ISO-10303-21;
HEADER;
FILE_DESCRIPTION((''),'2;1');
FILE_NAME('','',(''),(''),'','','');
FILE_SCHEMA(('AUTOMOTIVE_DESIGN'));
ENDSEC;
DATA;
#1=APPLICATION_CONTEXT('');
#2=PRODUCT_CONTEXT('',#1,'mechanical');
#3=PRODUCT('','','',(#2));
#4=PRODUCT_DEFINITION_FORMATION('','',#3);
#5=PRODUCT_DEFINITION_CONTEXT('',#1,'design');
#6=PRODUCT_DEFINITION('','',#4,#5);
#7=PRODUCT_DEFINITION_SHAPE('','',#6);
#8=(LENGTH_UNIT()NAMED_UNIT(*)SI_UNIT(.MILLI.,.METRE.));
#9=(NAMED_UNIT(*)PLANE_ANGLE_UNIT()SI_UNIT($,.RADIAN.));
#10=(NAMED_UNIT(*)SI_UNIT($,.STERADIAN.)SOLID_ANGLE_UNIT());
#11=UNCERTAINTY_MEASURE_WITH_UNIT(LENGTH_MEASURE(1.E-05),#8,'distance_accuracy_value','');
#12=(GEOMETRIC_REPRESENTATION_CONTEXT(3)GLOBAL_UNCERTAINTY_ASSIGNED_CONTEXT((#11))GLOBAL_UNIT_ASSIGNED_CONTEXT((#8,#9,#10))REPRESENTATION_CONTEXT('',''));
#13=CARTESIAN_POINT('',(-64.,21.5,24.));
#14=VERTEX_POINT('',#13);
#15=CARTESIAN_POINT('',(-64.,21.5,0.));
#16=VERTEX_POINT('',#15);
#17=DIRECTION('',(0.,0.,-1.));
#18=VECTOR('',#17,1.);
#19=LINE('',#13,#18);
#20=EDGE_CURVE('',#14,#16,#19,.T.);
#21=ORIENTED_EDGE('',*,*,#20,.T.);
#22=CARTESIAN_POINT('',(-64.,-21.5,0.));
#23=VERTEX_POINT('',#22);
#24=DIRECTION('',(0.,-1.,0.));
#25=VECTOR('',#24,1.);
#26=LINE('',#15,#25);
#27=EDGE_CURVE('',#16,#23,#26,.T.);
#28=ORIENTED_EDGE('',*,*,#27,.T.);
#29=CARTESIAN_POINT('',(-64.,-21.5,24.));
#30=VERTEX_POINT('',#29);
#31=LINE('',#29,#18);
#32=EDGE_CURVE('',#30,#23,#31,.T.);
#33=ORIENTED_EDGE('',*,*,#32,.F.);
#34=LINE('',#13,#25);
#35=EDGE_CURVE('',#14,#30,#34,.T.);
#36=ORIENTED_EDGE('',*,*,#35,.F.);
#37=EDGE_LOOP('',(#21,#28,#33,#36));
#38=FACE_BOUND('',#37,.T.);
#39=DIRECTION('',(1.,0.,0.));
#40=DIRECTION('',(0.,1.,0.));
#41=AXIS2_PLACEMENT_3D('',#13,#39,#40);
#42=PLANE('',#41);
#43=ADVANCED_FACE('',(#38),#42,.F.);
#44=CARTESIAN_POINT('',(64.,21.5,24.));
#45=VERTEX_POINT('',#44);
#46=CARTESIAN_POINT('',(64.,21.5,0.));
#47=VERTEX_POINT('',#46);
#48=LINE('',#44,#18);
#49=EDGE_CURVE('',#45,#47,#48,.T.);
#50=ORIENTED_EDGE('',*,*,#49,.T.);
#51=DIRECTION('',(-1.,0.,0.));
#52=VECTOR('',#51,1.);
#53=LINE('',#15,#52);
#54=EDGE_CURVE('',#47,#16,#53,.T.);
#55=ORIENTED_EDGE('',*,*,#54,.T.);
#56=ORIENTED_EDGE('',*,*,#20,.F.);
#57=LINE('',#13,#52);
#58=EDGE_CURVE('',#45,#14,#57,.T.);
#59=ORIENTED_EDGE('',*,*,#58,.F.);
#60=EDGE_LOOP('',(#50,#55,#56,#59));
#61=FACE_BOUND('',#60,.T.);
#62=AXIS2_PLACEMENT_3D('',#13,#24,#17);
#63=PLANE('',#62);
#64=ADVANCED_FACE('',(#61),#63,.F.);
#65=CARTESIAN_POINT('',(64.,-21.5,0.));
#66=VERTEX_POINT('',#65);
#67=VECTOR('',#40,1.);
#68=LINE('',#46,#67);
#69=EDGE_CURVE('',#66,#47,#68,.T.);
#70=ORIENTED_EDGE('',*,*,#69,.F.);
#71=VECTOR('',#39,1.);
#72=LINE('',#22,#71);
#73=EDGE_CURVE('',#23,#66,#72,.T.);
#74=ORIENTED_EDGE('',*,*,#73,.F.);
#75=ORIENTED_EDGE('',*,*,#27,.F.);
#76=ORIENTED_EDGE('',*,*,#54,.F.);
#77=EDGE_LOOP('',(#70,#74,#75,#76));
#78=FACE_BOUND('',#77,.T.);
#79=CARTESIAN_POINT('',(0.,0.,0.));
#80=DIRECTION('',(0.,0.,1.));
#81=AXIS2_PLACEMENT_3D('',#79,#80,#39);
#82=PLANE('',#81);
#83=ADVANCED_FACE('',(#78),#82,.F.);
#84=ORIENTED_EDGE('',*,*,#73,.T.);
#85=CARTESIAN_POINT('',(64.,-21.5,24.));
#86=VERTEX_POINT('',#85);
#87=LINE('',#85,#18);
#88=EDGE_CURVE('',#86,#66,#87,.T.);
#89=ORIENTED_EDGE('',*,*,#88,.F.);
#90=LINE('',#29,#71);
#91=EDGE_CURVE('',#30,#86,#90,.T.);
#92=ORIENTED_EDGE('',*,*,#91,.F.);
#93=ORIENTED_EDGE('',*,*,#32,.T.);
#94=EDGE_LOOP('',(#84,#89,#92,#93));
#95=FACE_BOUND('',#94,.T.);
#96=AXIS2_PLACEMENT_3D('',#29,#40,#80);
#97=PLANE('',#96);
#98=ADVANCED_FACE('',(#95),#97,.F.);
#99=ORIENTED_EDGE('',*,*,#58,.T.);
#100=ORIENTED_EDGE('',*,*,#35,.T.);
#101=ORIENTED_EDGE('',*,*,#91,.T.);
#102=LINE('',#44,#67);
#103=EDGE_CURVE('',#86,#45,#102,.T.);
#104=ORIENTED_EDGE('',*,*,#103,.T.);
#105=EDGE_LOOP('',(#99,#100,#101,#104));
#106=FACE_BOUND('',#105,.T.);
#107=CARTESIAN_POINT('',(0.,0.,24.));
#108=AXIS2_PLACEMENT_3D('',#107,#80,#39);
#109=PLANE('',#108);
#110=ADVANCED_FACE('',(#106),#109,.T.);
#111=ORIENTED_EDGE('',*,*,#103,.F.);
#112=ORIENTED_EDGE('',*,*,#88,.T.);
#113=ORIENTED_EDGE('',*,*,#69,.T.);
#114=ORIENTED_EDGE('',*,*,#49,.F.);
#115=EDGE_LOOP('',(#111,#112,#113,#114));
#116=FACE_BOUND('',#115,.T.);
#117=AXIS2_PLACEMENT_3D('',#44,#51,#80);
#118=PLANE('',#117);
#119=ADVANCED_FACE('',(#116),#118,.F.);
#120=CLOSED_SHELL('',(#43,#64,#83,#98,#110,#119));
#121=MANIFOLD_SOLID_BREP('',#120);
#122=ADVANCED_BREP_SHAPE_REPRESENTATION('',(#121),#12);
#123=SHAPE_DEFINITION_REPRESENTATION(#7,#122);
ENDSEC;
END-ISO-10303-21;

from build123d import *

# Parameters (mm, degrees)
SKETCH_1_W      = 128
SKETCH_1_H      = 43
EXTRUDE_1_DEPTH = 24


with BuildPart() as part:
    # 草图1 → 凸台-拉伸1 (new body)
    with BuildSketch(Plane.XY):
        Rectangle(SKETCH_1_W, SKETCH_1_H)
    extrude(amount=EXTRUDE_1_DEPTH)


solid = part.part
